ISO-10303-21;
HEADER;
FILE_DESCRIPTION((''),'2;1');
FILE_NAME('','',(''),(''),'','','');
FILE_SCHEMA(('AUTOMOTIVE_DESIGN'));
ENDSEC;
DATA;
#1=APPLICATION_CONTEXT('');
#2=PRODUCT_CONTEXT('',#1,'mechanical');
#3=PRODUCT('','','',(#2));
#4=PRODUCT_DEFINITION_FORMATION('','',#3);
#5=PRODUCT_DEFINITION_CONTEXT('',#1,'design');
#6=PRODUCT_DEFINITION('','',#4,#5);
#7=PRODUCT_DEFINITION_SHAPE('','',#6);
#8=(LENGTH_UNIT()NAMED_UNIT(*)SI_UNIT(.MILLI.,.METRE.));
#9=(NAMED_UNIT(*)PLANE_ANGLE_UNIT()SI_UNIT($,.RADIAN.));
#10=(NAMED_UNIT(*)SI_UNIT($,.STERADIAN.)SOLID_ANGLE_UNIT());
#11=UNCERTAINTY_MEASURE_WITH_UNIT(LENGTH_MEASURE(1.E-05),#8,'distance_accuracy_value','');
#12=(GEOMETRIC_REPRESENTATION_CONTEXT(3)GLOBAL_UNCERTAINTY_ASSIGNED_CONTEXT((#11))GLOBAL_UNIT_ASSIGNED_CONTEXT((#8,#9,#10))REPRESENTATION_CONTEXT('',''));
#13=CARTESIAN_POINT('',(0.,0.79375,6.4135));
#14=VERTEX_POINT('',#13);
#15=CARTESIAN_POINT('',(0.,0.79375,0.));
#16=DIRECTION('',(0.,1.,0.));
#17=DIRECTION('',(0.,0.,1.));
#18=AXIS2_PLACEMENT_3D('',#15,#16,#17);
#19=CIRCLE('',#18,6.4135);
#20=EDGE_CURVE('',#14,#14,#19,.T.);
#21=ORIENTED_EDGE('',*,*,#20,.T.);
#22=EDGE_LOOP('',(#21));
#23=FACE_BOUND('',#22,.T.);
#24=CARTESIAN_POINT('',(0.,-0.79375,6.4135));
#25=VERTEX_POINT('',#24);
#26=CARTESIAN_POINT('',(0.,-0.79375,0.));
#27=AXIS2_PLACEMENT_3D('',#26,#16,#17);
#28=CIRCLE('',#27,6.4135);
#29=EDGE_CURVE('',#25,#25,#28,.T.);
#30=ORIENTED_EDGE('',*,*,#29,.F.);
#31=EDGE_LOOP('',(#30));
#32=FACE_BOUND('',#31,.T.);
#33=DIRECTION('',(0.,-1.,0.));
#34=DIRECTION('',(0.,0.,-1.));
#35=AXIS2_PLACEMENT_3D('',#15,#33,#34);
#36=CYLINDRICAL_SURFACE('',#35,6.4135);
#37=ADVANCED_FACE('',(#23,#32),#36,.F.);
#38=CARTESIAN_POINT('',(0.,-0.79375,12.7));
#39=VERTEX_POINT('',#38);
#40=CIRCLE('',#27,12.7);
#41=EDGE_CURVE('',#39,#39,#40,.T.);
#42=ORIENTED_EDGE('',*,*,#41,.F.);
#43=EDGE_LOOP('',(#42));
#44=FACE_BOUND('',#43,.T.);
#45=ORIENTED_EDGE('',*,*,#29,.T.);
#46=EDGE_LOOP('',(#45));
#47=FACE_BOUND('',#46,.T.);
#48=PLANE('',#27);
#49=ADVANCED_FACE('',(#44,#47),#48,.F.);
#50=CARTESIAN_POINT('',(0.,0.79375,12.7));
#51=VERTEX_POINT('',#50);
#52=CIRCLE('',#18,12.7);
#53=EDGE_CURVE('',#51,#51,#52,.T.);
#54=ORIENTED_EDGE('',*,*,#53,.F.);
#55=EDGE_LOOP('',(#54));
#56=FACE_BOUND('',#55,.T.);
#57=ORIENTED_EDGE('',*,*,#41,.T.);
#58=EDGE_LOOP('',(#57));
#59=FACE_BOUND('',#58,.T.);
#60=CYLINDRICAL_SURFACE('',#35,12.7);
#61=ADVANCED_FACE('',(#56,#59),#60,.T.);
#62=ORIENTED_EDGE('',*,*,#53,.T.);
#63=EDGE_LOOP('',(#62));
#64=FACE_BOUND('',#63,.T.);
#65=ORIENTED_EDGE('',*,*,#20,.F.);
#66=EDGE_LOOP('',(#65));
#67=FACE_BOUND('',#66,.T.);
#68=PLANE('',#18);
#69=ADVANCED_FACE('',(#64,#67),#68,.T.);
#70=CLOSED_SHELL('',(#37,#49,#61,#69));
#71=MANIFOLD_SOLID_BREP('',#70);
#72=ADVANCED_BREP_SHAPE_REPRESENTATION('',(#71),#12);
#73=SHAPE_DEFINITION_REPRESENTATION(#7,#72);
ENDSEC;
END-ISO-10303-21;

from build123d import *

# Parameters (mm, degrees)
SKETCH1_R           = 12.7
SKETCH1_R_2         = 6.4135
BOSS_EXTRUDE1_DEPTH = 0.79375


with BuildPart() as part:
    # Sketch1 → Boss-Extrude1 (new body, symmetric)
    with BuildSketch(Plane(origin=(0, 0, 0), x_dir=(1, 0, 0), z_dir=(0, 1, 0))):
        Circle(SKETCH1_R)
        Circle(SKETCH1_R_2, mode=Mode.SUBTRACT)
    extrude(amount=BOSS_EXTRUDE1_DEPTH, both=True)


solid = part.part
